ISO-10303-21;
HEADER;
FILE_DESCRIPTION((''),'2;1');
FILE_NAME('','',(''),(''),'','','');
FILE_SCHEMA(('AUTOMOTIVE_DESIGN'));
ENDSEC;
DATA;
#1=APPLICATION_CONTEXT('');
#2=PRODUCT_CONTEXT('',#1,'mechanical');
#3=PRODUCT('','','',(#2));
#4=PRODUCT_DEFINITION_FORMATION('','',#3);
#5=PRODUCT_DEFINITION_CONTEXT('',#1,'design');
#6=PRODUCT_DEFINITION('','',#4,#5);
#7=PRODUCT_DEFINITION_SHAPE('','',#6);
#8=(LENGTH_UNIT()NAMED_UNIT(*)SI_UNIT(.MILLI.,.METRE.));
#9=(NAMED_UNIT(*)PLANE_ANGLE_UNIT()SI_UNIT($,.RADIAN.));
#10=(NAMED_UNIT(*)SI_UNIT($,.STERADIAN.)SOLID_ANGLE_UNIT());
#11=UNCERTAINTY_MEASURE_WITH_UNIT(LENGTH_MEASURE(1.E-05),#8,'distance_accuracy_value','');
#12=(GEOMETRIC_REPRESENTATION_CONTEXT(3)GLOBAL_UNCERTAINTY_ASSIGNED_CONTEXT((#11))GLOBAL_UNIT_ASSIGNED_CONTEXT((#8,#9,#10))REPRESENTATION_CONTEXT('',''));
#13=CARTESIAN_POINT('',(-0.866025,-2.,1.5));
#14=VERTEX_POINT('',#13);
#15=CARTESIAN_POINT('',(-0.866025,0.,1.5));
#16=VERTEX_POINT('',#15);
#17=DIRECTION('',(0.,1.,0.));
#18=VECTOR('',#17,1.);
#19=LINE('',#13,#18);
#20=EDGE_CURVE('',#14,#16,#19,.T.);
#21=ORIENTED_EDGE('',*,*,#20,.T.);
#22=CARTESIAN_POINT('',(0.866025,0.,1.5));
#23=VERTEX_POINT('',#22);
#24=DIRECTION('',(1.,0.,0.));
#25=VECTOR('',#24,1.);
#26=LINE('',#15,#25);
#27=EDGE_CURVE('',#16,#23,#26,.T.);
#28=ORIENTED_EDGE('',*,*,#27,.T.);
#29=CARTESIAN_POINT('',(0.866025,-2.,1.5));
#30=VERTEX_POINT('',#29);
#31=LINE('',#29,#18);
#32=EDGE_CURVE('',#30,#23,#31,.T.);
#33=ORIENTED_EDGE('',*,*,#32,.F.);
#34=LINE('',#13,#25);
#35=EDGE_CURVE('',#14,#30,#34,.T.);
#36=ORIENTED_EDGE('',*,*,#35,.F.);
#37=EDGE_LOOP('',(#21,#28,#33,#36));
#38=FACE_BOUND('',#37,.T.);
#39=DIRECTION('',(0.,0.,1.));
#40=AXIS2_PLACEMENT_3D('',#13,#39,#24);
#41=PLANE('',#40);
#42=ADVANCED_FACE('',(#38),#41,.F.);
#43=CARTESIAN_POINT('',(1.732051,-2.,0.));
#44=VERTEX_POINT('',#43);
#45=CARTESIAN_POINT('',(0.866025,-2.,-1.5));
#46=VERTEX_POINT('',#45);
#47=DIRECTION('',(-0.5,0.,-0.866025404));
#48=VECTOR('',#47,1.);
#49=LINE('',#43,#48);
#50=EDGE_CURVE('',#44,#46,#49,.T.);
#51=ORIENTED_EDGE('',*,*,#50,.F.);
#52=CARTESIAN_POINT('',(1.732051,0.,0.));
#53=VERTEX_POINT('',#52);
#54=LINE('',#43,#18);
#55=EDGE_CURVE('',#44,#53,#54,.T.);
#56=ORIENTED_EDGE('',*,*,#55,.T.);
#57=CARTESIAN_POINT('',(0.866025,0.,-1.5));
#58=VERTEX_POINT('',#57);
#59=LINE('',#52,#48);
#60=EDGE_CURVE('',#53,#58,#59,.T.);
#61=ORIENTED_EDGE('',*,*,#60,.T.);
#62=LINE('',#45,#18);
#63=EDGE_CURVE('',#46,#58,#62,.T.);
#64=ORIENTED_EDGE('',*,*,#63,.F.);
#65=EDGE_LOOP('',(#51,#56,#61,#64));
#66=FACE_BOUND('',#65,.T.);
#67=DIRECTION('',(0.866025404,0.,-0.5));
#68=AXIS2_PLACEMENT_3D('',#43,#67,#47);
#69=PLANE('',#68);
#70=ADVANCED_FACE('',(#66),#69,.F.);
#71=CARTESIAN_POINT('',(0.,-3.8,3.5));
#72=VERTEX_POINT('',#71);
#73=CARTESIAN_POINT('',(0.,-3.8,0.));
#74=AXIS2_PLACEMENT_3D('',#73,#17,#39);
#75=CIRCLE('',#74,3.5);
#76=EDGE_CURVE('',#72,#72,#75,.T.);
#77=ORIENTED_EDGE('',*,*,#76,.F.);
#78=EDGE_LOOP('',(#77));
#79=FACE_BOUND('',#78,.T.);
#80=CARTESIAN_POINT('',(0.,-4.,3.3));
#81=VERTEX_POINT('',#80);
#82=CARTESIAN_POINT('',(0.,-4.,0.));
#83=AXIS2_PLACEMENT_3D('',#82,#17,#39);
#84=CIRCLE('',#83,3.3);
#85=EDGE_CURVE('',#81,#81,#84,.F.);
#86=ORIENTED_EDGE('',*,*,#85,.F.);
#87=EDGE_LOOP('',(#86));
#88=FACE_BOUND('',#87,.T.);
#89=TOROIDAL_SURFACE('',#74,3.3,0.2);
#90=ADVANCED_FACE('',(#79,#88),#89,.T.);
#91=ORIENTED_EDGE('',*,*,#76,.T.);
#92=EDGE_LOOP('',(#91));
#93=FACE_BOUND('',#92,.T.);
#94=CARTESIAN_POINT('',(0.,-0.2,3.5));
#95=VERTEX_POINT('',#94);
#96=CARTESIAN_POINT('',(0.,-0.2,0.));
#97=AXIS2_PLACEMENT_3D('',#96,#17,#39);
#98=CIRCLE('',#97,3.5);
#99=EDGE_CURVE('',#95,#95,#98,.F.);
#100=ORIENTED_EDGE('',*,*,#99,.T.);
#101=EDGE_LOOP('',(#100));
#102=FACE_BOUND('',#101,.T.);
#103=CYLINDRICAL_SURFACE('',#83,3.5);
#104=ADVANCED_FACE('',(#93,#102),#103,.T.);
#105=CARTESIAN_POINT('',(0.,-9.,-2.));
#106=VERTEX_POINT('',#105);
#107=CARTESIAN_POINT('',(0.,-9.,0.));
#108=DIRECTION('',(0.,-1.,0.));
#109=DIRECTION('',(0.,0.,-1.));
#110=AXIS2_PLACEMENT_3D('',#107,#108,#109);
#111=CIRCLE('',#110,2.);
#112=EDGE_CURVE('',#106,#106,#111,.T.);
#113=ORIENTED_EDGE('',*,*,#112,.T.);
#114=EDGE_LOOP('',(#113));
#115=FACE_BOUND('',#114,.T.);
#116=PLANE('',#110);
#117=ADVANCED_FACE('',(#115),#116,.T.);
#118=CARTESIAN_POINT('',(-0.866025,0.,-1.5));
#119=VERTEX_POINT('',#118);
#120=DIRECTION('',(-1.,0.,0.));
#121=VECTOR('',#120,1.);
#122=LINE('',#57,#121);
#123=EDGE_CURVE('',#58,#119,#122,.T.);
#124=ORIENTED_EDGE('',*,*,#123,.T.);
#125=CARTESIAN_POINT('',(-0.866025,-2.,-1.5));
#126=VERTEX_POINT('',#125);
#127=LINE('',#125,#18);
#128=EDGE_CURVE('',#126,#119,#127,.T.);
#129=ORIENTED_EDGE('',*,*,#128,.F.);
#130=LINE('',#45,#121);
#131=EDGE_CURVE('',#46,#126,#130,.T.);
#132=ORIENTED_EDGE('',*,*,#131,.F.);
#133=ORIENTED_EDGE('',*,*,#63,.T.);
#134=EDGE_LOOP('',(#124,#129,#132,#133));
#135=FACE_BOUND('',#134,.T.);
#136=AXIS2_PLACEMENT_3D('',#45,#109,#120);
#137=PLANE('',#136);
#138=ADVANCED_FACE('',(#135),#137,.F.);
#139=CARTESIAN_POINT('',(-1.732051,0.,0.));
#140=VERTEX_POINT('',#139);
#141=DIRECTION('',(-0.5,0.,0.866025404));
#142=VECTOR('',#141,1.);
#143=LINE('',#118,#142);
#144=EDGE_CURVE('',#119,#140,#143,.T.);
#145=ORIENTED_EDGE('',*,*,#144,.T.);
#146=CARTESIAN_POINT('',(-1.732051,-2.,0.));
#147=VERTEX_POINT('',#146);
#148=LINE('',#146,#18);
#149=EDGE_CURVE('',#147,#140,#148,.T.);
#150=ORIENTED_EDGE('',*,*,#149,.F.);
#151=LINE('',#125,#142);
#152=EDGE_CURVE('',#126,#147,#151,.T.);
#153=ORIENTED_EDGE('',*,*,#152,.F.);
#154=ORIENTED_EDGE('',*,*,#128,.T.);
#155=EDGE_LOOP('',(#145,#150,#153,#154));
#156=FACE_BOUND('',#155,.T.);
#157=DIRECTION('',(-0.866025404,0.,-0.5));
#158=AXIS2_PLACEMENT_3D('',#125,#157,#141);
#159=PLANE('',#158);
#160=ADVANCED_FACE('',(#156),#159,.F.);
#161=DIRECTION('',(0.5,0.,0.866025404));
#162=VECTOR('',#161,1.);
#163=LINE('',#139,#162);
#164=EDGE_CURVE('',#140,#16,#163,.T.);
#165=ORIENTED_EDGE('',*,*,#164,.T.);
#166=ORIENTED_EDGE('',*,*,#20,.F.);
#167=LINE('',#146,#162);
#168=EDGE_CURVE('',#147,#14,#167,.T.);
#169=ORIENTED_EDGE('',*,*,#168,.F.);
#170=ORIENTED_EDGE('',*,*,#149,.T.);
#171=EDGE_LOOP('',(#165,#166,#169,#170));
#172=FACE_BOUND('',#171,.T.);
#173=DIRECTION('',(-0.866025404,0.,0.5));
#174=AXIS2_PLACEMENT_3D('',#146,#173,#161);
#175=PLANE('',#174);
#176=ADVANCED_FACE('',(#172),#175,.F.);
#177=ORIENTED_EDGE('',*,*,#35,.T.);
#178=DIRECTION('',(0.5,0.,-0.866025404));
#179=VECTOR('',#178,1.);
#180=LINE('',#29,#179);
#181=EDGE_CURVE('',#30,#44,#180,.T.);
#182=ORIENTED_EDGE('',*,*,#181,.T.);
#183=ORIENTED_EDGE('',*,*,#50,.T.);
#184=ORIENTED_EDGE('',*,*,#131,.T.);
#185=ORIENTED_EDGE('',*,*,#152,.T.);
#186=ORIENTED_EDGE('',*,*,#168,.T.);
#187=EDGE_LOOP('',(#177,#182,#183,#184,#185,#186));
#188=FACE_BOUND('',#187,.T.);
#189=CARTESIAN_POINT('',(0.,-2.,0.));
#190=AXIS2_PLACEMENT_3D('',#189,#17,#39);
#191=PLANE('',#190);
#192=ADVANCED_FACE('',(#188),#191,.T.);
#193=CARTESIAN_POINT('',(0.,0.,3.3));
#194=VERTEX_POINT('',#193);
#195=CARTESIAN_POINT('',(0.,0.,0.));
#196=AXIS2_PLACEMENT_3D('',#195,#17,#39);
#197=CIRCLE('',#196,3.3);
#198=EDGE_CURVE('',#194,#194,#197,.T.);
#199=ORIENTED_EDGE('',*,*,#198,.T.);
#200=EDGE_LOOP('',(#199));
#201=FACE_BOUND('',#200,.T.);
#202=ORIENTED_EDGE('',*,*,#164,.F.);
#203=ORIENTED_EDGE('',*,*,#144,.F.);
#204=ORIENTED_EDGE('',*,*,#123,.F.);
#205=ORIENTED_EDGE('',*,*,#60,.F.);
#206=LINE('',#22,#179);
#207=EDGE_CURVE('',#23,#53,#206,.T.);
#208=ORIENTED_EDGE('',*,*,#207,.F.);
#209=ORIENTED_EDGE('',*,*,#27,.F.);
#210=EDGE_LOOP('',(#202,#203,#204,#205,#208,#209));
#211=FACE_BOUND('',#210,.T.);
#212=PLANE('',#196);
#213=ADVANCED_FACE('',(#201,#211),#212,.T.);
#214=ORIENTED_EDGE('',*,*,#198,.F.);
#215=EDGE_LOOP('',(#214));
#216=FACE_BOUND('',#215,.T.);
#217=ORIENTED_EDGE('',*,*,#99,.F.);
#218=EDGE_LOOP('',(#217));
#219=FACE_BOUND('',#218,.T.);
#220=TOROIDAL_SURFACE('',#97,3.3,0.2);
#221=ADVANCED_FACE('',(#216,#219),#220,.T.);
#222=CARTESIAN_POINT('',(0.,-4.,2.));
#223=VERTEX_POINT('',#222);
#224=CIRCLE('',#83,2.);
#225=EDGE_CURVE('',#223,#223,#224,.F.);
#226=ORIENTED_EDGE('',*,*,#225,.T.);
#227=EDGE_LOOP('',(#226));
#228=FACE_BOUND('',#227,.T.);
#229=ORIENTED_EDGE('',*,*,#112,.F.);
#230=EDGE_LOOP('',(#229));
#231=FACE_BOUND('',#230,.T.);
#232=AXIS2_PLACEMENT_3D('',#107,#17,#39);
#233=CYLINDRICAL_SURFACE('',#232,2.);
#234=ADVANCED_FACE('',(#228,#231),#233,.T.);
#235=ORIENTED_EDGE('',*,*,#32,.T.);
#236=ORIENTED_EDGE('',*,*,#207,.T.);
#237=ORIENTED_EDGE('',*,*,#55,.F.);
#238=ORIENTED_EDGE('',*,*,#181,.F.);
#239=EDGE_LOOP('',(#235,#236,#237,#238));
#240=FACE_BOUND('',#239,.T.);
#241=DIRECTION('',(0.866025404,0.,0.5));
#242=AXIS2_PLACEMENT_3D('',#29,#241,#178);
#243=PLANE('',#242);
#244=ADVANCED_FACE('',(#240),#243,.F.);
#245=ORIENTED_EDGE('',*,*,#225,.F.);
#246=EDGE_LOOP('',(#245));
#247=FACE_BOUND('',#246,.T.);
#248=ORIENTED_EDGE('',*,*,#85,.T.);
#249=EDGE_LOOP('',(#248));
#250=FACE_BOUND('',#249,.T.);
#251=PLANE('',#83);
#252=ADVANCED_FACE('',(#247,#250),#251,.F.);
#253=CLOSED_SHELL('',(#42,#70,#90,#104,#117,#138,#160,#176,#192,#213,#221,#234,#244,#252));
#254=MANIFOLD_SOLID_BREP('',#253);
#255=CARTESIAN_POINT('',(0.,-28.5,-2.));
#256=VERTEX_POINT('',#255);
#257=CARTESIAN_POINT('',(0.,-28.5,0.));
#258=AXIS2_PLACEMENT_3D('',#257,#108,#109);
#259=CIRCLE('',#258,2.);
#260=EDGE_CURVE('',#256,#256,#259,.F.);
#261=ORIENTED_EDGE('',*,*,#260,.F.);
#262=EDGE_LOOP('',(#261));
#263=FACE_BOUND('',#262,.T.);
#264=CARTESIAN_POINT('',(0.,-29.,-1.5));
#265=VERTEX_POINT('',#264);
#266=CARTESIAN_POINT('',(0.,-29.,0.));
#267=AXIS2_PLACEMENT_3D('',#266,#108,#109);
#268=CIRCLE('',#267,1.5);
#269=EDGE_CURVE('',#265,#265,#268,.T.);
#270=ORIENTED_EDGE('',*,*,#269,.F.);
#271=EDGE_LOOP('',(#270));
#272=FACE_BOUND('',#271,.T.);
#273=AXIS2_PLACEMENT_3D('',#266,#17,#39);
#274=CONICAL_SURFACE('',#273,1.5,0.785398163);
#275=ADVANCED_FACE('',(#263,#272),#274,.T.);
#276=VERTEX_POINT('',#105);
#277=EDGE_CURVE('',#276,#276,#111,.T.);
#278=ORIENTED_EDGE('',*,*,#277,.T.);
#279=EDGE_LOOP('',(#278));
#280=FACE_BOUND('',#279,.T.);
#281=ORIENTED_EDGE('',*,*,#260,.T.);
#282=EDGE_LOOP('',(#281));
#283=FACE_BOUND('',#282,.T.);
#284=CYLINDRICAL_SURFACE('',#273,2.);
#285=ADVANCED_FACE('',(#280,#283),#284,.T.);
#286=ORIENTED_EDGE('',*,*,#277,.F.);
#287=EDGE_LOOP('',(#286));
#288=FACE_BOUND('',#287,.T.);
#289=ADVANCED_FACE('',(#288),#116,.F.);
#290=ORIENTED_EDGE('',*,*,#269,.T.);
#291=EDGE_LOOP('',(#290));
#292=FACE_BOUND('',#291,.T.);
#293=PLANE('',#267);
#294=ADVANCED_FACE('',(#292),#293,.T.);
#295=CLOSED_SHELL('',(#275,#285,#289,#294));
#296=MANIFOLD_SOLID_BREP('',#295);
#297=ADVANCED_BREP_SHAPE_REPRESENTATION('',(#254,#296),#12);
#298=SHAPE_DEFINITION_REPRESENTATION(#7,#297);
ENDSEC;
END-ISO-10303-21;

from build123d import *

# Parameters (mm, degrees)
SKETCH1_R           = 3.5
BOSS_EXTRUDE1_DEPTH = 4
CUT_EXTRUDE1_DEPTH  = 2
SKETCH3_R           = 2
BOSS_EXTRUDE2_DEPTH = 5
SKETCH4_R           = 2
BOSS_EXTRUDE3_DEPTH = 20
CHAMFER1_SIZE       = 0.5
FILLET1_R           = 0.2


with BuildPart() as part:
    # Sketch1 → Boss-Extrude1 (new body)
    with BuildSketch(Plane(origin=(0, 0, 0), x_dir=(1, 0, 0), z_dir=(0, 1, 0))):
        with Locations(Location((0, 0, 0), (0, 0, 270))):
            Circle(SKETCH1_R)
    extrude(amount=-BOSS_EXTRUDE1_DEPTH)

    # Sketch2 → Cut-Extrude1 (cut)
    with BuildSketch(Plane(origin=(0, 0, 0), x_dir=(1, 0, 0), z_dir=(0, 1, 0))):
        Polygon((1.732050808, 0), (0.866025404, 1.5), (-0.866025404, 1.5), (-1.732050808, 0), (-0.866025404, -1.5), (0.866025404, -1.5), align=None)
    extrude(amount=-CUT_EXTRUDE1_DEPTH, mode=Mode.SUBTRACT)

    # Sketch3 → Boss-Extrude2 (add)
    with BuildSketch(Plane.XZ.offset(4)):
        with Locations(Location((0, 0, 0), (0, 0, 90))):
            Circle(SKETCH3_R)
    extrude(amount=BOSS_EXTRUDE2_DEPTH)

    # Fillet1
    fillet1_edges = [part.edges().sort_by_distance(p)[0] for p in [
        (0, 0, -3.5),
        (0, -4, -3.5),
    ]]
    fillet(fillet1_edges, radius=FILLET1_R)


with BuildPart() as body_2:
    # Sketch4 → Boss-Extrude3 (new body)
    with BuildSketch(Plane.XZ.offset(9)):
        with Locations(Location((0, 0, 0), (0, 0, 270))):
            Circle(SKETCH4_R)
    extrude(amount=BOSS_EXTRUDE3_DEPTH)

    # Chamfer1
    chamfer1_edges = [body_2.edges().sort_by_distance(p)[0] for p in [
        (0, -29, 2),
    ]]
    chamfer(chamfer1_edges, length=CHAMFER1_SIZE)


solid = Compound([part.part, body_2.part])
